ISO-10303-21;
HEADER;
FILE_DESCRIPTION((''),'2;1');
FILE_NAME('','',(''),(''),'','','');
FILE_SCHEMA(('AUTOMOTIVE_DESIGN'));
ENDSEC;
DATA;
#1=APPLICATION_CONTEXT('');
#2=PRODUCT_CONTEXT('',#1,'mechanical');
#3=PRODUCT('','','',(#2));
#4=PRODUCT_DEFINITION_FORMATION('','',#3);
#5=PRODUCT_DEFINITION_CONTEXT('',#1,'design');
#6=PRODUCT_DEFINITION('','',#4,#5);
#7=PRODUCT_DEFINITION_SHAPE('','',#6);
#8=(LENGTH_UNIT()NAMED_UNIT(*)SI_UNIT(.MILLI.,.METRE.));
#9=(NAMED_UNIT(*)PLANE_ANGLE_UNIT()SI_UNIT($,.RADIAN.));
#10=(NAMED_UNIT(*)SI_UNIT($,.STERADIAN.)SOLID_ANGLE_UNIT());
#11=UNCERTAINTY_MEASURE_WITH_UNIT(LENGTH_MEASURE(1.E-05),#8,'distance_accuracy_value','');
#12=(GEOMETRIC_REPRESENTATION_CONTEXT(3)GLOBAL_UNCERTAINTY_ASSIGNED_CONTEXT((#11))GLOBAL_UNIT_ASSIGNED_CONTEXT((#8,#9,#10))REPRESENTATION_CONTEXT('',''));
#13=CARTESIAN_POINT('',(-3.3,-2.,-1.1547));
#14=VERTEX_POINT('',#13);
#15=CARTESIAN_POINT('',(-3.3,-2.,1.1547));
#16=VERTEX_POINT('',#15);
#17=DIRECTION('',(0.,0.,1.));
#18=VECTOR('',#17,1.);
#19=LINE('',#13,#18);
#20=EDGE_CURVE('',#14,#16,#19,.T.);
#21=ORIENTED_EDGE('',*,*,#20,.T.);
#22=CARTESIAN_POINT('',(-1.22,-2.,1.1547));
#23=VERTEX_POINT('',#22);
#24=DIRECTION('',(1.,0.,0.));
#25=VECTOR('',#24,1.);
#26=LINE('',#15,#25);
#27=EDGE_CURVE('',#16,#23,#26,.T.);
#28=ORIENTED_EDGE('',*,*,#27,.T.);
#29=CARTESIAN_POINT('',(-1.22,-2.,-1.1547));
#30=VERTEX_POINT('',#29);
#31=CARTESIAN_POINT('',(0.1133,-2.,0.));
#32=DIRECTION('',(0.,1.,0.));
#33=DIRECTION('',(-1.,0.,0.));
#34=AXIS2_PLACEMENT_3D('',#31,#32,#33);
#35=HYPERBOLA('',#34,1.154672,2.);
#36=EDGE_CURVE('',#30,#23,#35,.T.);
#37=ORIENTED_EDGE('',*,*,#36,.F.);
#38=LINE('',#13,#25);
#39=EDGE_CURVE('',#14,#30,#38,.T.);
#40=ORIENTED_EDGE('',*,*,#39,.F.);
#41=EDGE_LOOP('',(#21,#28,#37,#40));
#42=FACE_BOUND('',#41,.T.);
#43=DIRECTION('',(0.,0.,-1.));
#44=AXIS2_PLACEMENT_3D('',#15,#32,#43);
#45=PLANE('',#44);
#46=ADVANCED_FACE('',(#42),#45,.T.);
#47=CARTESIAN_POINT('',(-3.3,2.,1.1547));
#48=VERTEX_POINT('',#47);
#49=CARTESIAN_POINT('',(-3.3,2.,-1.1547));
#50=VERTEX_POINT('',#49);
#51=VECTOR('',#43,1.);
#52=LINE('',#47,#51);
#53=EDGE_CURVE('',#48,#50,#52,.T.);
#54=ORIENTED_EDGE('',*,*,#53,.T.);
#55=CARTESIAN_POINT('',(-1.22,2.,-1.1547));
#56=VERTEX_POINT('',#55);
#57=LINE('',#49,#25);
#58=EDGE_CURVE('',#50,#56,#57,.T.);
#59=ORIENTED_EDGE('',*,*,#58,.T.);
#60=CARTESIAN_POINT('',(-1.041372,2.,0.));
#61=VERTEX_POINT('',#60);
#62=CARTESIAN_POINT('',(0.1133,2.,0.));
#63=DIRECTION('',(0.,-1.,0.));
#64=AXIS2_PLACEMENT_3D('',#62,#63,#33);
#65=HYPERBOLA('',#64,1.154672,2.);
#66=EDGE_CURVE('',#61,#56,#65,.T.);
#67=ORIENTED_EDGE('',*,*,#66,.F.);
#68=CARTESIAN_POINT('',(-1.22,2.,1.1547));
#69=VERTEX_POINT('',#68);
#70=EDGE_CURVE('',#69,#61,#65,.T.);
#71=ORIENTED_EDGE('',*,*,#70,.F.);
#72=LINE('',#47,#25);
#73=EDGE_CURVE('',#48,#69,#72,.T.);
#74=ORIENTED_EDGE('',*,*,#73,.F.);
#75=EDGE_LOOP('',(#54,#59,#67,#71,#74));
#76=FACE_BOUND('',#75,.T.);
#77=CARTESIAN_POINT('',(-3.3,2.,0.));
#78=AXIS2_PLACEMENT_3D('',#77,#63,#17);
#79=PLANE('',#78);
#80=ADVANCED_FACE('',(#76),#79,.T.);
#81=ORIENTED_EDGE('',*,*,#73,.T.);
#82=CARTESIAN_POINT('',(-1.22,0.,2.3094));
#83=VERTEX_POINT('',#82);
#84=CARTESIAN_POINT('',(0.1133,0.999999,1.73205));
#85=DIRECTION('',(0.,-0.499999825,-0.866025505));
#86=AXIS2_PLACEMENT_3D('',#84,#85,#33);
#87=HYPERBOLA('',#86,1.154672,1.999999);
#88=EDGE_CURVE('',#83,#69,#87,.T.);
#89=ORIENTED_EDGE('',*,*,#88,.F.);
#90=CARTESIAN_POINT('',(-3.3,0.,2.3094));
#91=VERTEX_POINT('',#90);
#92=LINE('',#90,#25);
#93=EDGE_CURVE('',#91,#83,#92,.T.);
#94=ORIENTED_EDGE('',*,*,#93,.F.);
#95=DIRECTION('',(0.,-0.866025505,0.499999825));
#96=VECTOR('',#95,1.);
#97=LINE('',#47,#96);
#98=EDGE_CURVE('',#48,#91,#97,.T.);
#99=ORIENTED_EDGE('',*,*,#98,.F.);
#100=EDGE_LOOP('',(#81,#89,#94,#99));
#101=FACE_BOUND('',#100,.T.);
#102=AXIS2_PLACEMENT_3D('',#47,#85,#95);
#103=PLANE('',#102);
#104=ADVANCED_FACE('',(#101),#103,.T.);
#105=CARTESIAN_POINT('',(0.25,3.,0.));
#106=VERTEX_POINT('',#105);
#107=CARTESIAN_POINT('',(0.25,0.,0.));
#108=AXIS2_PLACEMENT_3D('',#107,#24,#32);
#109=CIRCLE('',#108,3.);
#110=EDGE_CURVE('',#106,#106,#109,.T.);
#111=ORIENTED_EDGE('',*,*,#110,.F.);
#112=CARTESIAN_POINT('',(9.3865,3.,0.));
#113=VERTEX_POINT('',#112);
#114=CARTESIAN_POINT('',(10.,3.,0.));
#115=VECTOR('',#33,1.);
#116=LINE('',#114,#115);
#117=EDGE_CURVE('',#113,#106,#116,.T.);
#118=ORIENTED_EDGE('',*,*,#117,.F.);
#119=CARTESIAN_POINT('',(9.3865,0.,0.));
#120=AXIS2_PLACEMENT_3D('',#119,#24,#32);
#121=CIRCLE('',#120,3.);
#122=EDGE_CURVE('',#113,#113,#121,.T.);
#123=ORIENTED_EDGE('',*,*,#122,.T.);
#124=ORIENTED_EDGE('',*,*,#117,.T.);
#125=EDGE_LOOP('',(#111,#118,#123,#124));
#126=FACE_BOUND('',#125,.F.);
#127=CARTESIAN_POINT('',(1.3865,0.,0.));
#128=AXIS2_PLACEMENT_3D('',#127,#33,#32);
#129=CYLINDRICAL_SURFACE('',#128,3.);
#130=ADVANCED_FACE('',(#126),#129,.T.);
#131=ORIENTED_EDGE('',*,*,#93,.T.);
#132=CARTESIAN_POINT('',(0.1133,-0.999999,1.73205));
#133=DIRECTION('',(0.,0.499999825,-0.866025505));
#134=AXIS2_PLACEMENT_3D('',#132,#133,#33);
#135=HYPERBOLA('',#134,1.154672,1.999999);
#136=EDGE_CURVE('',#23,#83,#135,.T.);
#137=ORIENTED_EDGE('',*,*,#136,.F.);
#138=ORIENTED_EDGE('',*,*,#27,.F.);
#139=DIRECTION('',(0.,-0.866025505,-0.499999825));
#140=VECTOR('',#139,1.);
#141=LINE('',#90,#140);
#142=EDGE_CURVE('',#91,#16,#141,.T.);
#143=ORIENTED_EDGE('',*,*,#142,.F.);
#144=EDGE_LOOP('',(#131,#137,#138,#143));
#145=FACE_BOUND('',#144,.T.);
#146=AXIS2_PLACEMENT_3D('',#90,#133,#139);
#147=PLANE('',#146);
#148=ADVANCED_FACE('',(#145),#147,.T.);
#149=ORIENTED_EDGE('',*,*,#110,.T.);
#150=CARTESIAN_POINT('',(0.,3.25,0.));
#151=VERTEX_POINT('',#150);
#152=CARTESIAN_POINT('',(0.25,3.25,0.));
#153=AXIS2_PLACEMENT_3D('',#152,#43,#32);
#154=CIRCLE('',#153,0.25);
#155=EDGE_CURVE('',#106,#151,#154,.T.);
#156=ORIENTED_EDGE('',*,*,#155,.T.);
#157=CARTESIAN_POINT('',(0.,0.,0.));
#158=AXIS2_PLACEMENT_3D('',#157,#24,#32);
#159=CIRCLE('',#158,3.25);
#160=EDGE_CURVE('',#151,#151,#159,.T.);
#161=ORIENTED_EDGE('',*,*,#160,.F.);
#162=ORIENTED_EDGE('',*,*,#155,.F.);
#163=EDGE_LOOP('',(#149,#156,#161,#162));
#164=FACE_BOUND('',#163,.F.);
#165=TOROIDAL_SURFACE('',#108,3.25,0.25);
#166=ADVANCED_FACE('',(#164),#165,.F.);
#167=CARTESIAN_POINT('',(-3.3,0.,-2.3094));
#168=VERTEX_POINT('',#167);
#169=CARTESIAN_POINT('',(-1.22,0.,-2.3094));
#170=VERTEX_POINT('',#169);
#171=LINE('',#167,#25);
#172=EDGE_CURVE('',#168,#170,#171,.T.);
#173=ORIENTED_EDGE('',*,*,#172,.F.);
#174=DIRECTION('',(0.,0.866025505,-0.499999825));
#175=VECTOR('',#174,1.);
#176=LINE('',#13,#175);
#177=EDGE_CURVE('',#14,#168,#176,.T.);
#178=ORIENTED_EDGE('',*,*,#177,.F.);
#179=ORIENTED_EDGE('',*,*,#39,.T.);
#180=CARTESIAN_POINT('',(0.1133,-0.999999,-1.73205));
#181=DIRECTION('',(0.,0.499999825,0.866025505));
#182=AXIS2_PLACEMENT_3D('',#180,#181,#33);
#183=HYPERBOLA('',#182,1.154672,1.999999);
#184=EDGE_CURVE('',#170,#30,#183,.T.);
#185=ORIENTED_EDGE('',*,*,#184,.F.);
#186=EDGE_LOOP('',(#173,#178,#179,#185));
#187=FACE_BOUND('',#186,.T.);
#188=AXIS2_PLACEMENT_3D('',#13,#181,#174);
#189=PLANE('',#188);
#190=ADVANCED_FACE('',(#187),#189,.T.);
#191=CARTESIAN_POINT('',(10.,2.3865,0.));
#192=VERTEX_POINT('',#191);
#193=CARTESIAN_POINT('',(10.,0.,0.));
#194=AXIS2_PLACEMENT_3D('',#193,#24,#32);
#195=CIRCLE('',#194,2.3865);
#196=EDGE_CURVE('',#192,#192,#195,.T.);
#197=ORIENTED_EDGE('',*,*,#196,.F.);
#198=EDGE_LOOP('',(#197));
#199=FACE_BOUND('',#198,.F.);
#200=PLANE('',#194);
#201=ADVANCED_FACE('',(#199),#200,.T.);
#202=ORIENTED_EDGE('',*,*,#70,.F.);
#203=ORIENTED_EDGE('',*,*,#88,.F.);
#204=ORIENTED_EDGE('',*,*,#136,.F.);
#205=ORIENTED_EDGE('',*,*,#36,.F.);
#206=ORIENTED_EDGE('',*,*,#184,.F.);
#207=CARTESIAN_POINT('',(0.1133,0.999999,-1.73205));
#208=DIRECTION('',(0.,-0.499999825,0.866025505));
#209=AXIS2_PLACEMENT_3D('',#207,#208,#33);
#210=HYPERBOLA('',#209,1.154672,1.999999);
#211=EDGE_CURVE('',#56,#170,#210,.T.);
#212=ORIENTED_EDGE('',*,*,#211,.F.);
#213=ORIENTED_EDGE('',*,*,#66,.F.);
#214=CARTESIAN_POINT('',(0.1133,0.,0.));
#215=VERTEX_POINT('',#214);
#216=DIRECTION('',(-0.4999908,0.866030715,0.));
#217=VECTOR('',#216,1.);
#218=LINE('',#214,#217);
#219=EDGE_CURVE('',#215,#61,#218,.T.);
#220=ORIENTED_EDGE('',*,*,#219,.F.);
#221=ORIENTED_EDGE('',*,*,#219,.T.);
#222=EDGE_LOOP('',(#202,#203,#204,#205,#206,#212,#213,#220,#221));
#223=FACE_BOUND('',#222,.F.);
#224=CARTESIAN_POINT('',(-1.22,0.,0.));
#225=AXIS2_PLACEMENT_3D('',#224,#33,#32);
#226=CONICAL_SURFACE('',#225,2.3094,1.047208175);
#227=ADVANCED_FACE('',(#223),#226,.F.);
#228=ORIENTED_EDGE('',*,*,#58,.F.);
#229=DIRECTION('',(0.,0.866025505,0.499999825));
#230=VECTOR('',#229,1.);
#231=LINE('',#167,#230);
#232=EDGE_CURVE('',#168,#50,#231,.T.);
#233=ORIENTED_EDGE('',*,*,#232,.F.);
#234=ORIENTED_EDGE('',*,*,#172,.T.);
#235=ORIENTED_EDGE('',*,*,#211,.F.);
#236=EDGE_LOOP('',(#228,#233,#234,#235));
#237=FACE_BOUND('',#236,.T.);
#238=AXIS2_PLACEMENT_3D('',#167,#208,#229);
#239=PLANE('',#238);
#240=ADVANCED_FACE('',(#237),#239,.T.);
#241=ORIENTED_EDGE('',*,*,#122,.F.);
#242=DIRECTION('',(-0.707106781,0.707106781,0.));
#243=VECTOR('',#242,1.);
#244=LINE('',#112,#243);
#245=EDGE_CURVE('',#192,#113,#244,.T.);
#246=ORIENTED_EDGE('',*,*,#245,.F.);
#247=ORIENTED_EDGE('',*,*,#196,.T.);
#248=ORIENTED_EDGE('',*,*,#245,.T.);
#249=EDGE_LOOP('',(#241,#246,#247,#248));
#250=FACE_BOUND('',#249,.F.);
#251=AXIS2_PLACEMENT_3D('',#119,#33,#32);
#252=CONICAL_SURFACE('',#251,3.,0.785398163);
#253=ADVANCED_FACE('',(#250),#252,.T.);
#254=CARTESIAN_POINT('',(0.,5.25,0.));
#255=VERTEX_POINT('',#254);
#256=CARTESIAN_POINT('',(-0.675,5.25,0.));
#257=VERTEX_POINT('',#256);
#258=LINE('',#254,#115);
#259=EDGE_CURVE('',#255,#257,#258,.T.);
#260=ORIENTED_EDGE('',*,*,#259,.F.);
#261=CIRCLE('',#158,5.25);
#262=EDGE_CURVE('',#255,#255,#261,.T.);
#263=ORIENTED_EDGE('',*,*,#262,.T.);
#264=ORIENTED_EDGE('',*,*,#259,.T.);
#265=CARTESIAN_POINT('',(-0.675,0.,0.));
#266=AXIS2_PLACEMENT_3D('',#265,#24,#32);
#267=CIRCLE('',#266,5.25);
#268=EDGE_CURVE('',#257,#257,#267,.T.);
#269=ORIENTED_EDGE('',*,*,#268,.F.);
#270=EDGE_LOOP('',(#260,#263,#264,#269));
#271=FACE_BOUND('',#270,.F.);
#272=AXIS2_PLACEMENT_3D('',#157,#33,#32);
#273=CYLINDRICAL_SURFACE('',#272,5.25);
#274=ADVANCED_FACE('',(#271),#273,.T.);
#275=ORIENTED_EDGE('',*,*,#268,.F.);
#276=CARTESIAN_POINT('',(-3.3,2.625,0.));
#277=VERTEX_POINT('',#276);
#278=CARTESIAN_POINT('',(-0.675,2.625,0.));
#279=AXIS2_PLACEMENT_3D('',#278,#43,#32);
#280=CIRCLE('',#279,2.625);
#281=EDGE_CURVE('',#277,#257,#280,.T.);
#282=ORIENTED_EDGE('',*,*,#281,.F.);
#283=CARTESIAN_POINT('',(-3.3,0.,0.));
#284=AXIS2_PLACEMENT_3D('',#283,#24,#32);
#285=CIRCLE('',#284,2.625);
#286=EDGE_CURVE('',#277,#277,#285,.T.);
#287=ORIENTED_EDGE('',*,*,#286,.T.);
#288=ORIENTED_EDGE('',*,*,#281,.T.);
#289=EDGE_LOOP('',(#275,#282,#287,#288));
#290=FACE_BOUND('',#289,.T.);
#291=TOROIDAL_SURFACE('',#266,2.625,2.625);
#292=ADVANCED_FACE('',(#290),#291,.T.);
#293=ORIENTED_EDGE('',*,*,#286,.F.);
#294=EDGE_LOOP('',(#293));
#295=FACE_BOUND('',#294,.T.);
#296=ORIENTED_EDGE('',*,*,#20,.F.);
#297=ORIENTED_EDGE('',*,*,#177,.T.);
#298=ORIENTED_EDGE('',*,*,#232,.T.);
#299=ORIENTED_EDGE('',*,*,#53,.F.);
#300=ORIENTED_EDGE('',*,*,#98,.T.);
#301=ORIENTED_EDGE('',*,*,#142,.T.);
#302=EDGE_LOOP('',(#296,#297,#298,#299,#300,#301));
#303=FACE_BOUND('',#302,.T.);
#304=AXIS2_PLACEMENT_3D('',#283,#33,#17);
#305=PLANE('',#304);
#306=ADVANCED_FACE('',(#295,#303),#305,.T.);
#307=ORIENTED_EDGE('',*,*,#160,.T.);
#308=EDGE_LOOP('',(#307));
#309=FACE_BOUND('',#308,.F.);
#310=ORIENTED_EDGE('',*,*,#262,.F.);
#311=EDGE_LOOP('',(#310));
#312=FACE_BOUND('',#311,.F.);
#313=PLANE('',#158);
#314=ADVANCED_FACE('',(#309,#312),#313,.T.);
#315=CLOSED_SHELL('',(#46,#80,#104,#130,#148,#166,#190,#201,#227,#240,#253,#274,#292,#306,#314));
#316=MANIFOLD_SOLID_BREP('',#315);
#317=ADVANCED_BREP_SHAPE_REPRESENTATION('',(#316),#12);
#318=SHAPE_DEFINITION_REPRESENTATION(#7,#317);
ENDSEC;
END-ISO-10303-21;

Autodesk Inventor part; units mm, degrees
ref_plane "YZ Plane" through (0, 0, 0) normal (1, 0, 0) x (0, 1, 0)
ref_plane "XZ Plane" through (0, 0, 0) normal (0, 1, 0) x (-1, 0, 0)
sketch "Sketch1" plane through (0, 0, 0) normal (0, 0, 1) x (1, 0, 0)
  line L0 (0.1133, 0) -> (10, 0)
  line L1 (10, 0) -> (10, 3)
  line L2 (10, 3) -> (2, 3)
  line L3 (2, 3) -> (1.3865, 3)
  line L4 (1.3865, 3) -> (0, 3)
  line L5 (0, 3) -> (0, 5.25)
  line L6 (0, 5.25) -> (-3.3, 5.25)
  line L7 (-3.3, 5.25) -> (-3.3, 2.3094)
  line L8 (-3.3, 2.3094) -> (-1.22, 2.3094)
  line L9 (-1.22, 2.3094) -> (0.1133, 0)
  line L10 (-5.96, 0) -> (12.66, 0) projected
  line L11 (0, -1.05) -> (0, 6.3) projected
  line L12 (2, 3) -> (0, 3) construction
  dimension "d0" = 8
  dimension "d1" = 0.6135
  dimension "d2" = 3.3
  dimension "d3" = 2.08
  dimension "d4" = 60
  dimension "d5" = 6
  dimension "d6" = 6
  dimension "d7" = 4.6188
  dimension "d8" = 10.5
  dimension "d19" = 10
revolve "Body" add sketch "Sketch1" angle 360 about axis through (0.1133, 0, 0) along (1, 0, 0) contours L9 L11 L4 L3 L2 L1 L0 | L9 L8 L7 L6 L5 L11
sketch "Sketch2" plane through (-3.3, 0, 0) normal (-1, 0, 0) x (0, 0, 1)
  circle A0 centre (0, 0) radius 2.3094 projected
  line L0 (0, -7.35) -> (0, 7.35) projected
  line L1 (-7.35, 0) -> (7.35, 0) projected
  line L2 (2.3094, 0) -> (1.1547, -2)
  line L3 (1.1547, -2) -> (-1.1547, -2)
  line L4 (-1.1547, -2) -> (-2.3094, 0)
  line L5 (-2.3094, 0) -> (-1.1547, 2)
  line L6 (-1.1547, 2) -> (1.1547, 2)
  line L7 (1.1547, 2) -> (2.3094, 0)
extrude "Slot" add sketch "Sketch2" against normal up to next contours L7 A0 | A0 L2 | L6 L0 A0 | A0 L0 L3 | L0 L6 A0 | A0 L3 L0 | L4 A0 | A0 L5
fillet "Fillet1" radius 2.625 1 edges at (-3.3, -5.25, 0)
thread "Thread" size "M6x1" class "4g6g" standard "ANSI Metric M Profile" length 8
chamfer "Chamfer1" distance 0.6135 distance2 0.6135 1 edges at (10, -3, 0) measured on face at (10, 0.705, 0.3049)
fillet "Fillet2" radius 0.25 1 edges at (0, -3, 0)
ref_plane "Work Plane1" through (30, 0, 0) normal (0, -0.5, 0.866) x (1, 0, 0)
equation "\"d0\" = GEL"
equation "\"d1\" = GAL"
equation "\"d2\" = KOH"
equation "\"d3\" = INTI"
equation "\"d5\" = GD"
equation "\"d6\" = BDM"
equation "\"d7\" = 1.1547 * SW"
equation "\"d8\" = KOD"
equation "\"d19\" = NLG"
equation "\"d16\" = RR"
equation "\"d12\" = GEL"
equation "\"d14\" = -0.5 * SPD + 0.5 * GD"
equation "\"d15\" = GUL"
equation "\"d29\" = R"
equation "\"GD\" = NND"
equation "\"NLG\" = 10"
equation "\"GEL\" = 8"
equation "\"KOD\" = 10.5"
equation "\"KOH\" = 3.3"
equation "\"INTI\" = 2.08"
equation "\"GAL\" = 0.61345 * PTC"
equation "\"GUL\" = 0.61345 * PTC"
equation "\"BDM\" = NND"
equation "\"SW\" = 4"
equation "\"RR\" = 2.625"
equation "\"SPD\" = 4.7731"
equation "\"d28\" = R"
equation "\"R\" = 0.25"
equation "\"TOA\" = 30deg"
equation "\"THREADDIA\" = 6"
equation "\"KOD1\" = KOD - 2 * RR"
equation "\"PTC\" = 1"
equation "\"NND\" = 6"
equation "\"E0\" = 1.155 * SW"
equation "\"GD1\" = THREADDIA - 1.2269 * PTC"
properties part number "ANSI B18.3.4M - M6 x 1 x 10" material "Steel, Mild"
